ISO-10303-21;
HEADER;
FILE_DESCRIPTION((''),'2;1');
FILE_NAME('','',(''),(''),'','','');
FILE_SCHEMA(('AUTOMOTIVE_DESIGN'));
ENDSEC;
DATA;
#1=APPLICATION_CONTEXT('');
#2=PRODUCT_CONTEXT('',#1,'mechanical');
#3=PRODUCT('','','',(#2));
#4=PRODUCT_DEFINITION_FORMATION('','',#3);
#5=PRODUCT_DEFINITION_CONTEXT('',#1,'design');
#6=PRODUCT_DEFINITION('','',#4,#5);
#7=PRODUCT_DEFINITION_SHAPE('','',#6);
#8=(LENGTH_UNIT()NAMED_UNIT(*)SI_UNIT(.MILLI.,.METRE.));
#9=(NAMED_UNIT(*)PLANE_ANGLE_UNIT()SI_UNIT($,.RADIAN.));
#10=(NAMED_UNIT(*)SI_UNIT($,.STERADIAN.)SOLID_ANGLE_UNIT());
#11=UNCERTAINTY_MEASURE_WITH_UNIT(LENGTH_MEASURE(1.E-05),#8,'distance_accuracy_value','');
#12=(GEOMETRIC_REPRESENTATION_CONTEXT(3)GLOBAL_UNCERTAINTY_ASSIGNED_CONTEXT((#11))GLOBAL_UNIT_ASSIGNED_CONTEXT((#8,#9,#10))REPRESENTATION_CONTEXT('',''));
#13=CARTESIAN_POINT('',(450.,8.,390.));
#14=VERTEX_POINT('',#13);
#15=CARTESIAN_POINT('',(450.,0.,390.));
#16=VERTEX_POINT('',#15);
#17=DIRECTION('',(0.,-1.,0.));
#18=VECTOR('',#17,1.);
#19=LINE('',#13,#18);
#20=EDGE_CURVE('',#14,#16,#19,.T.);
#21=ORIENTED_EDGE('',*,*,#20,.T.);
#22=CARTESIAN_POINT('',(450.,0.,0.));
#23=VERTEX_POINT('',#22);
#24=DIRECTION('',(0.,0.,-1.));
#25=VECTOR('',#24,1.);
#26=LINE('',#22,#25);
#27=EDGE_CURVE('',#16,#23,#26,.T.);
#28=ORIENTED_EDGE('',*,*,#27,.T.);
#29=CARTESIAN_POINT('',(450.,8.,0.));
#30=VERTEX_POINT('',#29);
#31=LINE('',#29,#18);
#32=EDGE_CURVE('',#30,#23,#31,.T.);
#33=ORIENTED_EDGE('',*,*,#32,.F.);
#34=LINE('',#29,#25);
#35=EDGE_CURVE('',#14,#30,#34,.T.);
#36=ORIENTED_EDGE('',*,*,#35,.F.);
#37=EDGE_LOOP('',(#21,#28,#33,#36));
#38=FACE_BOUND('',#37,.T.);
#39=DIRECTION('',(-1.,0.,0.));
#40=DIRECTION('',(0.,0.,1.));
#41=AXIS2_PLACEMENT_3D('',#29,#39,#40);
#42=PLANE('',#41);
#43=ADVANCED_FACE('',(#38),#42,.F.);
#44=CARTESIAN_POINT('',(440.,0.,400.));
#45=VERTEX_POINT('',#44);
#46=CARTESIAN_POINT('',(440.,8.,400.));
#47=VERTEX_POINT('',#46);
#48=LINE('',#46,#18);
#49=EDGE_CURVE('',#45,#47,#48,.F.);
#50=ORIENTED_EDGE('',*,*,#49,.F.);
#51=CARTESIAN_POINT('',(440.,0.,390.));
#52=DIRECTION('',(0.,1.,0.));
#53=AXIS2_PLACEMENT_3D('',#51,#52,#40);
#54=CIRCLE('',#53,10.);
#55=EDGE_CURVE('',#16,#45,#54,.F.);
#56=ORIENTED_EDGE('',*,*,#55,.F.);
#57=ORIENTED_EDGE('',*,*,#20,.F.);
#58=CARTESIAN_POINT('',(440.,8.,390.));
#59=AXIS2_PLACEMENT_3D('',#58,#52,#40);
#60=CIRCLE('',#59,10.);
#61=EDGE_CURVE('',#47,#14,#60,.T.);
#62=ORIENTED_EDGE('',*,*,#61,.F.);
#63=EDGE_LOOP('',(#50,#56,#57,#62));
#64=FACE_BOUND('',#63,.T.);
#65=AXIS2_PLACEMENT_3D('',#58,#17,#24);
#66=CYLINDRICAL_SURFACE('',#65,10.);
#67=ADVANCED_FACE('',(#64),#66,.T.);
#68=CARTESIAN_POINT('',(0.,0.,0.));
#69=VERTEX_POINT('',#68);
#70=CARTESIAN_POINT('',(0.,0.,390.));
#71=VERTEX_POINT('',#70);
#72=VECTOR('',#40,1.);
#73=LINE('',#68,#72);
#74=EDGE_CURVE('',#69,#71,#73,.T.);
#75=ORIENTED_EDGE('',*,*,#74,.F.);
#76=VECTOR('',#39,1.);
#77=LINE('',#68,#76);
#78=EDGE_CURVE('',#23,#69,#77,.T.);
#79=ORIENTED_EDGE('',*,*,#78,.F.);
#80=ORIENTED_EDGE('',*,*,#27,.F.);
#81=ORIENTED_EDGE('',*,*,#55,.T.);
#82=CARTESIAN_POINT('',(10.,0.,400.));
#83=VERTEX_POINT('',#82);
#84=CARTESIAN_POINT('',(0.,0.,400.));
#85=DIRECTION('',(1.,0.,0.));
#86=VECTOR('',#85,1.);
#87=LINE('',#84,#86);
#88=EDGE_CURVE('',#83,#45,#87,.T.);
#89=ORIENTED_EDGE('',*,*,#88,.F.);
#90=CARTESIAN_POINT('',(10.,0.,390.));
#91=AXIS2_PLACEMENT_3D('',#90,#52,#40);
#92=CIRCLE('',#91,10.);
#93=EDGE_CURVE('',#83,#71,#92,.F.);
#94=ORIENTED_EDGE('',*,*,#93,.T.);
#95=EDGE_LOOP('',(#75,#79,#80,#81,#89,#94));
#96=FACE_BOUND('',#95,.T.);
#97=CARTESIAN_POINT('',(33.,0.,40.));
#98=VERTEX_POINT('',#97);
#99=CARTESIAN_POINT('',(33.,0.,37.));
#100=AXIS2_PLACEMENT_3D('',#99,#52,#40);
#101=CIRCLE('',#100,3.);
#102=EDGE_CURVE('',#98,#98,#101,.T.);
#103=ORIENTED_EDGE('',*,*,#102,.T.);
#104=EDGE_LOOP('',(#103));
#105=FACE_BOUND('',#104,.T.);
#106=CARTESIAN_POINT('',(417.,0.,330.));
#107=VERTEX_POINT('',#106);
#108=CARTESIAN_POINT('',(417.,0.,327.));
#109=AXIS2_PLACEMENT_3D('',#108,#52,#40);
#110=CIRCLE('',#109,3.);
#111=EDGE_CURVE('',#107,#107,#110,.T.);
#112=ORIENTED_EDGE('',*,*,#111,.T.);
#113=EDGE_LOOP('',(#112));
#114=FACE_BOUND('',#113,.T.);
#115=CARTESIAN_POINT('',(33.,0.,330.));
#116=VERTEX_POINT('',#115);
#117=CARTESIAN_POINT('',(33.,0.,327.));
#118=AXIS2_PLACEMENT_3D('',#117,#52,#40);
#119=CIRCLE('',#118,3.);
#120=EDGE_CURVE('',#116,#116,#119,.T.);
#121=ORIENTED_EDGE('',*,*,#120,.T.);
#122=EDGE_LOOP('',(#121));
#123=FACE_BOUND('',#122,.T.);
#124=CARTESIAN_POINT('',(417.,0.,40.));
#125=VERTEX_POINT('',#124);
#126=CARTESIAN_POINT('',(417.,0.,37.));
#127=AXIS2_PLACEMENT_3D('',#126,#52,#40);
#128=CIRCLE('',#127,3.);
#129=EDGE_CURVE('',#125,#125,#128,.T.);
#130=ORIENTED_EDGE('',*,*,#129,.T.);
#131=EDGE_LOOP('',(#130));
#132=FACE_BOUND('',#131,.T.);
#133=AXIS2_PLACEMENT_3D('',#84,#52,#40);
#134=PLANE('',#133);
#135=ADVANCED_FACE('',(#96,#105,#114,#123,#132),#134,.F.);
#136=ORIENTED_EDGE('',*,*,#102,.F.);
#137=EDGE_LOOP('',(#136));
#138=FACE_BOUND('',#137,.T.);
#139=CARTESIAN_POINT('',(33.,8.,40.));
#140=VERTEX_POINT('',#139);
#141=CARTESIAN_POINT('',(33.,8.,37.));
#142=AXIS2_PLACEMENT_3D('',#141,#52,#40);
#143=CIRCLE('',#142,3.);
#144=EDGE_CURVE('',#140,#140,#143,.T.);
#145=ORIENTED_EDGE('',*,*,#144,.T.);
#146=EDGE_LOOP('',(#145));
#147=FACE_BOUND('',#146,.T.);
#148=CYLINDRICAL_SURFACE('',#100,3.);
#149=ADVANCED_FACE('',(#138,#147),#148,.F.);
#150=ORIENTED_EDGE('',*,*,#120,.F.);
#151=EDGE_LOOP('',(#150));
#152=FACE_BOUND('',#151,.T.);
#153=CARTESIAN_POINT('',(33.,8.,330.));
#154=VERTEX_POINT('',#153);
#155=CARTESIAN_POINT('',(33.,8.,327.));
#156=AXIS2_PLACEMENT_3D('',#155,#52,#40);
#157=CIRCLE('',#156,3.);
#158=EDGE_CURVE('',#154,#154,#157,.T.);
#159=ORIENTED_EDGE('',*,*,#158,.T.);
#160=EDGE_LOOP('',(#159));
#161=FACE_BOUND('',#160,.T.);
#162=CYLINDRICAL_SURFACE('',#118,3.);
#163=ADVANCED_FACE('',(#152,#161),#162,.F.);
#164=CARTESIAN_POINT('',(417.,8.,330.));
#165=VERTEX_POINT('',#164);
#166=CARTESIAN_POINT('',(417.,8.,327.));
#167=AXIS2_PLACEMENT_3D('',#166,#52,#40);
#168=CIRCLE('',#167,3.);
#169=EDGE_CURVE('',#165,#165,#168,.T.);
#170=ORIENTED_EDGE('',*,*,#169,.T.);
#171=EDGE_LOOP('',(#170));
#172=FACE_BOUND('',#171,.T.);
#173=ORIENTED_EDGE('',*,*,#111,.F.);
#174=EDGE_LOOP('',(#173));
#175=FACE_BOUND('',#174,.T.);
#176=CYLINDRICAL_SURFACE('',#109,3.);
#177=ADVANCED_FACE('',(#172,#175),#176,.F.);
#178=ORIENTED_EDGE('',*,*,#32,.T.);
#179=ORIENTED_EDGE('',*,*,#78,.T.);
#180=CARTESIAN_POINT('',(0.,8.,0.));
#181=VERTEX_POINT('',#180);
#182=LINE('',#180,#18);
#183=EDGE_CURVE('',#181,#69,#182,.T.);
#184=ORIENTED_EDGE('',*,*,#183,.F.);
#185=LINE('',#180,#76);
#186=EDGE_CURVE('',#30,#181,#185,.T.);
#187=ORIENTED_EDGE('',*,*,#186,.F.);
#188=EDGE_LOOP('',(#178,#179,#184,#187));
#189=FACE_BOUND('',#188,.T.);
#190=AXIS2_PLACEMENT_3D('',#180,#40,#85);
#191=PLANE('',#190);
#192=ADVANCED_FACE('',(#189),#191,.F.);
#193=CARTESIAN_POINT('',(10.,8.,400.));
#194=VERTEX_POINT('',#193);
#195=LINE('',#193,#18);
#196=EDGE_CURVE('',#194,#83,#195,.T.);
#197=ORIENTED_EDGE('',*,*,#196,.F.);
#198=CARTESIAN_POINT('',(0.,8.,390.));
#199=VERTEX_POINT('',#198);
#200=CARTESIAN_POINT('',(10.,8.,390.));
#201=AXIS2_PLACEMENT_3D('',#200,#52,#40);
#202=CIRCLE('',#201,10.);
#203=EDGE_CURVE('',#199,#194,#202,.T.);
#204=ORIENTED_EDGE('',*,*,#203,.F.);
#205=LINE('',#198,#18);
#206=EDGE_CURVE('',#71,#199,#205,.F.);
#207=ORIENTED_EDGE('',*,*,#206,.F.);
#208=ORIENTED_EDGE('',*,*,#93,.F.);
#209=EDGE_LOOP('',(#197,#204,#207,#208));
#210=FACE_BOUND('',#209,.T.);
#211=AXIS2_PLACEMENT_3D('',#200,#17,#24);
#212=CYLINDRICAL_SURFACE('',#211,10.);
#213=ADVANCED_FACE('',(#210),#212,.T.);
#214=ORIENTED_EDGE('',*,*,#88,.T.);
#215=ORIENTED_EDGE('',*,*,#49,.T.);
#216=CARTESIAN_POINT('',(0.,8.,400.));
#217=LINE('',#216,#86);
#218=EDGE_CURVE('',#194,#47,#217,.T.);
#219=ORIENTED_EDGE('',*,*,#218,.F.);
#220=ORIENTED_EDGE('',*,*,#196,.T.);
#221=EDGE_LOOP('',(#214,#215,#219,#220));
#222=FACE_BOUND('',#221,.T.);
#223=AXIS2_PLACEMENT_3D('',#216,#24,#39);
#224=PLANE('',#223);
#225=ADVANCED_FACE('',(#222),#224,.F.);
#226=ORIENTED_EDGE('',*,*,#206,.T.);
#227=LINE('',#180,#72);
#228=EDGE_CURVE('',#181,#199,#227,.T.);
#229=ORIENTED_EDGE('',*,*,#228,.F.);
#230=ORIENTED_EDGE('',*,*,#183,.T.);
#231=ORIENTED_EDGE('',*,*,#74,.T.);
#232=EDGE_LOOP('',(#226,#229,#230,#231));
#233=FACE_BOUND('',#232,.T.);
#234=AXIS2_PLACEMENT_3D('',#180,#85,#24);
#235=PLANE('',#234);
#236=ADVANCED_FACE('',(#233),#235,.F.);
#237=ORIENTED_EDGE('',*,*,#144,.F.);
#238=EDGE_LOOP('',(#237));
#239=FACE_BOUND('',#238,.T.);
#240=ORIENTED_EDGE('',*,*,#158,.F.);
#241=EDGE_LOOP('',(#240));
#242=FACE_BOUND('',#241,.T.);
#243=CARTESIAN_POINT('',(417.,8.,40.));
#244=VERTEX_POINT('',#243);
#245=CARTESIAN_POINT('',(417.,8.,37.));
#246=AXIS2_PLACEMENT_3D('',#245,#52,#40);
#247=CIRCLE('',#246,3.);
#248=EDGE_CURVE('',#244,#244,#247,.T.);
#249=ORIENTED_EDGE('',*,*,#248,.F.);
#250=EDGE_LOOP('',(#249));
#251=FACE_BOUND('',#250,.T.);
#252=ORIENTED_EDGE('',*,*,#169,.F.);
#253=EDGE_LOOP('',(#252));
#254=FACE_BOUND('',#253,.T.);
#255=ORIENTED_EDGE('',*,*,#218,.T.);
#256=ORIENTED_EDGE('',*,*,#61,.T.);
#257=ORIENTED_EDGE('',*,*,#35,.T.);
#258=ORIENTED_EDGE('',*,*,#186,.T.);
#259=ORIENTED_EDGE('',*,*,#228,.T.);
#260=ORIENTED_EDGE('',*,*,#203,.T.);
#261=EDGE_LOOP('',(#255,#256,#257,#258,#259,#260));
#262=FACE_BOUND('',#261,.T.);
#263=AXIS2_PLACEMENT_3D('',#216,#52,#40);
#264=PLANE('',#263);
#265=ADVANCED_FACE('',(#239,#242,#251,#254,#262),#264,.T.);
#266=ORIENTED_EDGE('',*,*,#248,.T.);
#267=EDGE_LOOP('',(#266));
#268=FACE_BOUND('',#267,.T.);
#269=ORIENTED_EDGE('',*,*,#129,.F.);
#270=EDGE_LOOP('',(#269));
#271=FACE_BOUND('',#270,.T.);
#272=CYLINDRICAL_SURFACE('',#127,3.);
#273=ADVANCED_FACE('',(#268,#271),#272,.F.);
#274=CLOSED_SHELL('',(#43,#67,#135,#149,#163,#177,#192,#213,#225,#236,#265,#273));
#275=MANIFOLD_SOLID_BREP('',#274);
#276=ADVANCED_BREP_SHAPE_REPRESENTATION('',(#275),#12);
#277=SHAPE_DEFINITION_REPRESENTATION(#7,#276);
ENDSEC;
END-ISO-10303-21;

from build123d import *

# Parameters (mm, degrees)
SKETCH1_W      = 450
SKETCH1_H      = 400
EXTRUDE1_DEPTH = 8
SKETCH2_R      = 3
EXTRUDE2_DEPTH = 603.132875701
FILLET1_R      = 10


with BuildPart() as part:
    # Sketch1 → Extrude1 (new body)
    with BuildSketch(Plane(origin=(0, 0, 0), x_dir=(1, 0, 0), z_dir=(0, 1, 0))):
        with Locations((225, -200)):
            Rectangle(SKETCH1_W, SKETCH1_H)
    extrude(amount=EXTRUDE1_DEPTH)

    # Sketch2 → Extrude2 (cut, through all)
    with BuildSketch(Plane(origin=(0, 8, 0), x_dir=(-1, 0, 0), z_dir=(0, 1, 0))):
        with Locations(Location((-33, 37, 0), (0, 0, 90))):
            Circle(SKETCH2_R)
        with Locations(Location((-33, 327, 0), (0, 0, 90))):
            Circle(SKETCH2_R)
        with Locations(Location((-417, 37, 0), (0, 0, 90))):
            Circle(SKETCH2_R)
        with Locations(Location((-417, 327, 0), (0, 0, 90))):
            Circle(SKETCH2_R)
    extrude(amount=-EXTRUDE2_DEPTH, mode=Mode.SUBTRACT)

    # Fillet1
    fillet1_edges = [part.edges().sort_by_distance(p)[0] for p in [
        (450, 4, 400),
        (0, 4, 400),
    ]]
    fillet(fillet1_edges, radius=FILLET1_R)


solid = part.part
